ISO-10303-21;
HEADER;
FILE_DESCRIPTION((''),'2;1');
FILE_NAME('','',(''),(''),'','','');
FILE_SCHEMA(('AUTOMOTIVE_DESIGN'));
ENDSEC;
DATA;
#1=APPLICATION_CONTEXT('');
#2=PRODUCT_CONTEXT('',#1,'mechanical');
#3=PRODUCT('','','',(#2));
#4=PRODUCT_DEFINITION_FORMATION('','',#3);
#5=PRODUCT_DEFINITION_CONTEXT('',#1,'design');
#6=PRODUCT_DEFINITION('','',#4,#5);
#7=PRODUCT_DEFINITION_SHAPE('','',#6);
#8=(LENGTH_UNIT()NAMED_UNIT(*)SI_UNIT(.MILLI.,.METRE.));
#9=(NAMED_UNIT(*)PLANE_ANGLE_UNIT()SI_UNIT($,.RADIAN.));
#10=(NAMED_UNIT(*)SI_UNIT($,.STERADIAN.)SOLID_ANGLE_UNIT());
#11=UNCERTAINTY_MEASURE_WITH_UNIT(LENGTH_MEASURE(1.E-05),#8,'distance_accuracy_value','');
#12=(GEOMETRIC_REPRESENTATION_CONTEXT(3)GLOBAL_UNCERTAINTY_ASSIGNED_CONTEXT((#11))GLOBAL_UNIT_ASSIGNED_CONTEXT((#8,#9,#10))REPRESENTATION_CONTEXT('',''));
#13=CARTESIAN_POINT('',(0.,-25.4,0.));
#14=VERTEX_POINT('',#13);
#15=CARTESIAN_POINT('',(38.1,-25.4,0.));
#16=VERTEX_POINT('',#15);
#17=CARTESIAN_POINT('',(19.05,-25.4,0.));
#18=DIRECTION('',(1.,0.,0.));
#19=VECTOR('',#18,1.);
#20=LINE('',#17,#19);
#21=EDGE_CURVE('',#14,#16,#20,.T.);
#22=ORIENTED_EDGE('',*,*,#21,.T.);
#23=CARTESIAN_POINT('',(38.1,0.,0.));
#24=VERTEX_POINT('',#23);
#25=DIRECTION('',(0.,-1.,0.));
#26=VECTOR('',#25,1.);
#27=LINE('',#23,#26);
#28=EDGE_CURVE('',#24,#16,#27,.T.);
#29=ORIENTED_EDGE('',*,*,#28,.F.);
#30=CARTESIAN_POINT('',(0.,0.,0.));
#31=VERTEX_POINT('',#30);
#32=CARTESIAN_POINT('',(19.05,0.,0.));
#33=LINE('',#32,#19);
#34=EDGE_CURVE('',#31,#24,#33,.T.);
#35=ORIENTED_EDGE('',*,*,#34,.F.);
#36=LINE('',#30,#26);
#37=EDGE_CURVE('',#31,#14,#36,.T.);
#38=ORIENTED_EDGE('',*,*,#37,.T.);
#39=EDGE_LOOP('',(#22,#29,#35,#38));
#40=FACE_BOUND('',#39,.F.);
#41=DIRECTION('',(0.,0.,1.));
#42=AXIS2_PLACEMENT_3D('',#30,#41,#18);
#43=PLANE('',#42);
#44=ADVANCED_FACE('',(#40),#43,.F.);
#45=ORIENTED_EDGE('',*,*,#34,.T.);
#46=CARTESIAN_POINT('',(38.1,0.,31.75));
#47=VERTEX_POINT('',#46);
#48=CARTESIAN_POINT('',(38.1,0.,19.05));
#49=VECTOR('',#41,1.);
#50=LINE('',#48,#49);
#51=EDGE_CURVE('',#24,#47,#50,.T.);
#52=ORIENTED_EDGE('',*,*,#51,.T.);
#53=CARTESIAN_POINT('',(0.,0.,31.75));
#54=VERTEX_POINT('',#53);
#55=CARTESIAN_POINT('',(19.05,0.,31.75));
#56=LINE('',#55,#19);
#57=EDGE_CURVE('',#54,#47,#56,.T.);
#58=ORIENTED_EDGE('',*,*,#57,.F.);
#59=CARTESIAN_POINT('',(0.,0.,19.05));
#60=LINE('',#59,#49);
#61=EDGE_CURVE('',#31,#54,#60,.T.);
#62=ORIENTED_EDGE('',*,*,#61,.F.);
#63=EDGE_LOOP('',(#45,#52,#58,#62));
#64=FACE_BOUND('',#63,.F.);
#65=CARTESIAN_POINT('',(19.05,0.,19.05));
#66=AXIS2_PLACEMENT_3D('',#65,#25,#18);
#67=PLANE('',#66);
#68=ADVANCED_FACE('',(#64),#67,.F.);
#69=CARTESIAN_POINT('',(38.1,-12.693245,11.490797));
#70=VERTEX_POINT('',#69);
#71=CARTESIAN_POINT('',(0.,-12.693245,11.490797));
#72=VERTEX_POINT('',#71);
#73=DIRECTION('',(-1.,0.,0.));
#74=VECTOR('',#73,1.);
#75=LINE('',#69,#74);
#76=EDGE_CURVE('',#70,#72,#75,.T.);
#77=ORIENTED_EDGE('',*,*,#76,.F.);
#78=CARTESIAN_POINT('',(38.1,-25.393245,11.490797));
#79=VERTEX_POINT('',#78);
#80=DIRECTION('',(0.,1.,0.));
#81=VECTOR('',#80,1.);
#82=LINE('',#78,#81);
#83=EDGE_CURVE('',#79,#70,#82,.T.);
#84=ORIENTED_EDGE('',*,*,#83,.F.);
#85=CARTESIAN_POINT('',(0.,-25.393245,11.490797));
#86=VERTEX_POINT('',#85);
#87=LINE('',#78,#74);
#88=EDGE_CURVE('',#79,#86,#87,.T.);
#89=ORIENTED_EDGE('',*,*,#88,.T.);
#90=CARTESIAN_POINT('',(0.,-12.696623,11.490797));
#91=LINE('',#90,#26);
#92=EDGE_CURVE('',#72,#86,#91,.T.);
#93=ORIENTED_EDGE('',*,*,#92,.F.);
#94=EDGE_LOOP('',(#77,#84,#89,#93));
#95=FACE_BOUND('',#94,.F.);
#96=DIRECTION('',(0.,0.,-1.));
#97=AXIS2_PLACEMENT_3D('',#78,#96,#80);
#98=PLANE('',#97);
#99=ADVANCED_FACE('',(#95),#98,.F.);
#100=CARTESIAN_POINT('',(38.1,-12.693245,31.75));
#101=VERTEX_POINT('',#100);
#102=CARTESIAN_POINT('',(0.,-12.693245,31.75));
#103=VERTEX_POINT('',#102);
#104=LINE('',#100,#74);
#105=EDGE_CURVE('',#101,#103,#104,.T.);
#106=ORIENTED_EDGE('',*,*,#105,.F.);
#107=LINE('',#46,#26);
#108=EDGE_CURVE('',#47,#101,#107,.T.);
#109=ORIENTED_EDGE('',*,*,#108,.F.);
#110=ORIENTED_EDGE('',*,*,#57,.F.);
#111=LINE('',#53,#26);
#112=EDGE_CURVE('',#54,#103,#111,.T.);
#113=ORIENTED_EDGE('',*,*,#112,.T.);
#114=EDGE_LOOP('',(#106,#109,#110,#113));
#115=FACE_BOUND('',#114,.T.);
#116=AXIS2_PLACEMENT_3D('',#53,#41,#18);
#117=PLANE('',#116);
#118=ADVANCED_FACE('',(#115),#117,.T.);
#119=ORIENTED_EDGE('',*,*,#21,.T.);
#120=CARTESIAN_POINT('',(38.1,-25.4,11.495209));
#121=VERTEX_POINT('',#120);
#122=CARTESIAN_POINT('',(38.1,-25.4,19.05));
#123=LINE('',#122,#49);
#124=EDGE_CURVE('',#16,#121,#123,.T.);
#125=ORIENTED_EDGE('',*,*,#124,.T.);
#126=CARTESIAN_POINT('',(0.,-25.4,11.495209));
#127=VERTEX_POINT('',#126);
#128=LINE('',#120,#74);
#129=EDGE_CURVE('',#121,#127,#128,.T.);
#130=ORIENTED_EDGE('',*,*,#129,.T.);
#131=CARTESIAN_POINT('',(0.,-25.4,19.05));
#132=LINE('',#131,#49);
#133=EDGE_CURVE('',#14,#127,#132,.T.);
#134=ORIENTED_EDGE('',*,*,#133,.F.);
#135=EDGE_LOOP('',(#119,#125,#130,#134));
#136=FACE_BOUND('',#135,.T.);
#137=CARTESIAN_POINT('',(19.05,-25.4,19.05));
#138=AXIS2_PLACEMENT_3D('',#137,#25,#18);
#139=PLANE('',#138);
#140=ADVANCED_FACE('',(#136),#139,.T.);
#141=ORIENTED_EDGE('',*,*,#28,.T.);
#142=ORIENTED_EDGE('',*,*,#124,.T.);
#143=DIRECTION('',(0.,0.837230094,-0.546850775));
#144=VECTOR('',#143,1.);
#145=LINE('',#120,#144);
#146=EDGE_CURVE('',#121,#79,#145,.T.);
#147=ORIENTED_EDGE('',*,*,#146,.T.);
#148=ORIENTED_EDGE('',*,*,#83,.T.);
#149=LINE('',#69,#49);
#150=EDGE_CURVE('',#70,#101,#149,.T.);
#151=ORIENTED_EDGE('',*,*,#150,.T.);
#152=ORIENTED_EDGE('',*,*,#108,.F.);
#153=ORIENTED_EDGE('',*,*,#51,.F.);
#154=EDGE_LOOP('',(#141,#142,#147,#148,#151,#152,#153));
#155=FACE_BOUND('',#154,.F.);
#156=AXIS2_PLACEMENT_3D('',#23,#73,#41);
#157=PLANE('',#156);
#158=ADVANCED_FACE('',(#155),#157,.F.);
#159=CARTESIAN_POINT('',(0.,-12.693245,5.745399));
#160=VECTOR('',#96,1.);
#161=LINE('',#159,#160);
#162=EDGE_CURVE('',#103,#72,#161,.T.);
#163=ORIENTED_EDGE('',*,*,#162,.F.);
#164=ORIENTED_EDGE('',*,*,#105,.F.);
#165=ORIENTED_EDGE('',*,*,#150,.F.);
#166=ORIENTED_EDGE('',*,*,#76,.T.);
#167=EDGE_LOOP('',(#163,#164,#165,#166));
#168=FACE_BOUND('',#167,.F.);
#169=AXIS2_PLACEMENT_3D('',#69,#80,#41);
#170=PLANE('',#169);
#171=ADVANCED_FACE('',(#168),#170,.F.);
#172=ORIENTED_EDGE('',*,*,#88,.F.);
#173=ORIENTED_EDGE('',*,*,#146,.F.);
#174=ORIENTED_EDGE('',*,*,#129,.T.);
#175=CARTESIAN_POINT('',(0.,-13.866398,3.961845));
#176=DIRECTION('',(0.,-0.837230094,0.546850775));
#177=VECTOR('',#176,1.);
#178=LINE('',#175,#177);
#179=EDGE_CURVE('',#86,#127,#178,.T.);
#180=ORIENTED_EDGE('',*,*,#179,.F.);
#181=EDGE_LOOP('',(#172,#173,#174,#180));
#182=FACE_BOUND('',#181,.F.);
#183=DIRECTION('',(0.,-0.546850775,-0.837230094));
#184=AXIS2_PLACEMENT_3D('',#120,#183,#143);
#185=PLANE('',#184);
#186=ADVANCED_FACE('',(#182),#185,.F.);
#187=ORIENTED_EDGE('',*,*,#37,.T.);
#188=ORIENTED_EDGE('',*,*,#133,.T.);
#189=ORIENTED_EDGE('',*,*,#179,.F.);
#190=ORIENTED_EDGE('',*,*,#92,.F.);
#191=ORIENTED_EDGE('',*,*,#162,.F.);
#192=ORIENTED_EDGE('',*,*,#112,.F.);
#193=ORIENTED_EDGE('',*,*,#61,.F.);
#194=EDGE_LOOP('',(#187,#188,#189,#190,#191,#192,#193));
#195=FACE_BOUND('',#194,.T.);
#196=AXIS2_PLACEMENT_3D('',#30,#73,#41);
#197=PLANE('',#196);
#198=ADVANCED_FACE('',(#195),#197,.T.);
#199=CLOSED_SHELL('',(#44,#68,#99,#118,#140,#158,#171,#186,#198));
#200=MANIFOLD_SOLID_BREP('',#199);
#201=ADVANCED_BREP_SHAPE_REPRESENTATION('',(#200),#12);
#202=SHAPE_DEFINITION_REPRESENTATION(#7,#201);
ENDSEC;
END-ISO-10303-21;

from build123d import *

# Parameters (mm, degrees)
F0_W     = 38.1
F0_H     = 38.1
F1_DEPTH = 25.4
F3_DEPTH = 50.8
F4_DEPTH = 6.35


with BuildPart() as f1:
    # F0 (on Front) → F1 (new body)
    with BuildSketch(Plane.XZ):
        with Locations((19.05, 19.05)):
            Rectangle(F0_W, F0_H)
    extrude(amount=F1_DEPTH)

    # F2 (on face) → F3 (cut)
    with BuildSketch(Plane.YZ.offset(38.1)):
        Polygon((-12.6932453566, 11.4907970736), (-12.6932453566, 38.1), (-25.4, 38.1), (-25.4, 11.4952089814), (-25.3932453566, 11.4907970736), align=None)
    extrude(amount=-F3_DEPTH, mode=Mode.SUBTRACT)

    # F4 (cut): a face of the model
    f4_faces = [f1.faces().sort_by_distance(p)[0] for p in [
        (19.05, -6.3466226783, 38.1),
    ]]
    extrude(f4_faces, amount=-F4_DEPTH, mode=Mode.SUBTRACT)


solid = f1.part
